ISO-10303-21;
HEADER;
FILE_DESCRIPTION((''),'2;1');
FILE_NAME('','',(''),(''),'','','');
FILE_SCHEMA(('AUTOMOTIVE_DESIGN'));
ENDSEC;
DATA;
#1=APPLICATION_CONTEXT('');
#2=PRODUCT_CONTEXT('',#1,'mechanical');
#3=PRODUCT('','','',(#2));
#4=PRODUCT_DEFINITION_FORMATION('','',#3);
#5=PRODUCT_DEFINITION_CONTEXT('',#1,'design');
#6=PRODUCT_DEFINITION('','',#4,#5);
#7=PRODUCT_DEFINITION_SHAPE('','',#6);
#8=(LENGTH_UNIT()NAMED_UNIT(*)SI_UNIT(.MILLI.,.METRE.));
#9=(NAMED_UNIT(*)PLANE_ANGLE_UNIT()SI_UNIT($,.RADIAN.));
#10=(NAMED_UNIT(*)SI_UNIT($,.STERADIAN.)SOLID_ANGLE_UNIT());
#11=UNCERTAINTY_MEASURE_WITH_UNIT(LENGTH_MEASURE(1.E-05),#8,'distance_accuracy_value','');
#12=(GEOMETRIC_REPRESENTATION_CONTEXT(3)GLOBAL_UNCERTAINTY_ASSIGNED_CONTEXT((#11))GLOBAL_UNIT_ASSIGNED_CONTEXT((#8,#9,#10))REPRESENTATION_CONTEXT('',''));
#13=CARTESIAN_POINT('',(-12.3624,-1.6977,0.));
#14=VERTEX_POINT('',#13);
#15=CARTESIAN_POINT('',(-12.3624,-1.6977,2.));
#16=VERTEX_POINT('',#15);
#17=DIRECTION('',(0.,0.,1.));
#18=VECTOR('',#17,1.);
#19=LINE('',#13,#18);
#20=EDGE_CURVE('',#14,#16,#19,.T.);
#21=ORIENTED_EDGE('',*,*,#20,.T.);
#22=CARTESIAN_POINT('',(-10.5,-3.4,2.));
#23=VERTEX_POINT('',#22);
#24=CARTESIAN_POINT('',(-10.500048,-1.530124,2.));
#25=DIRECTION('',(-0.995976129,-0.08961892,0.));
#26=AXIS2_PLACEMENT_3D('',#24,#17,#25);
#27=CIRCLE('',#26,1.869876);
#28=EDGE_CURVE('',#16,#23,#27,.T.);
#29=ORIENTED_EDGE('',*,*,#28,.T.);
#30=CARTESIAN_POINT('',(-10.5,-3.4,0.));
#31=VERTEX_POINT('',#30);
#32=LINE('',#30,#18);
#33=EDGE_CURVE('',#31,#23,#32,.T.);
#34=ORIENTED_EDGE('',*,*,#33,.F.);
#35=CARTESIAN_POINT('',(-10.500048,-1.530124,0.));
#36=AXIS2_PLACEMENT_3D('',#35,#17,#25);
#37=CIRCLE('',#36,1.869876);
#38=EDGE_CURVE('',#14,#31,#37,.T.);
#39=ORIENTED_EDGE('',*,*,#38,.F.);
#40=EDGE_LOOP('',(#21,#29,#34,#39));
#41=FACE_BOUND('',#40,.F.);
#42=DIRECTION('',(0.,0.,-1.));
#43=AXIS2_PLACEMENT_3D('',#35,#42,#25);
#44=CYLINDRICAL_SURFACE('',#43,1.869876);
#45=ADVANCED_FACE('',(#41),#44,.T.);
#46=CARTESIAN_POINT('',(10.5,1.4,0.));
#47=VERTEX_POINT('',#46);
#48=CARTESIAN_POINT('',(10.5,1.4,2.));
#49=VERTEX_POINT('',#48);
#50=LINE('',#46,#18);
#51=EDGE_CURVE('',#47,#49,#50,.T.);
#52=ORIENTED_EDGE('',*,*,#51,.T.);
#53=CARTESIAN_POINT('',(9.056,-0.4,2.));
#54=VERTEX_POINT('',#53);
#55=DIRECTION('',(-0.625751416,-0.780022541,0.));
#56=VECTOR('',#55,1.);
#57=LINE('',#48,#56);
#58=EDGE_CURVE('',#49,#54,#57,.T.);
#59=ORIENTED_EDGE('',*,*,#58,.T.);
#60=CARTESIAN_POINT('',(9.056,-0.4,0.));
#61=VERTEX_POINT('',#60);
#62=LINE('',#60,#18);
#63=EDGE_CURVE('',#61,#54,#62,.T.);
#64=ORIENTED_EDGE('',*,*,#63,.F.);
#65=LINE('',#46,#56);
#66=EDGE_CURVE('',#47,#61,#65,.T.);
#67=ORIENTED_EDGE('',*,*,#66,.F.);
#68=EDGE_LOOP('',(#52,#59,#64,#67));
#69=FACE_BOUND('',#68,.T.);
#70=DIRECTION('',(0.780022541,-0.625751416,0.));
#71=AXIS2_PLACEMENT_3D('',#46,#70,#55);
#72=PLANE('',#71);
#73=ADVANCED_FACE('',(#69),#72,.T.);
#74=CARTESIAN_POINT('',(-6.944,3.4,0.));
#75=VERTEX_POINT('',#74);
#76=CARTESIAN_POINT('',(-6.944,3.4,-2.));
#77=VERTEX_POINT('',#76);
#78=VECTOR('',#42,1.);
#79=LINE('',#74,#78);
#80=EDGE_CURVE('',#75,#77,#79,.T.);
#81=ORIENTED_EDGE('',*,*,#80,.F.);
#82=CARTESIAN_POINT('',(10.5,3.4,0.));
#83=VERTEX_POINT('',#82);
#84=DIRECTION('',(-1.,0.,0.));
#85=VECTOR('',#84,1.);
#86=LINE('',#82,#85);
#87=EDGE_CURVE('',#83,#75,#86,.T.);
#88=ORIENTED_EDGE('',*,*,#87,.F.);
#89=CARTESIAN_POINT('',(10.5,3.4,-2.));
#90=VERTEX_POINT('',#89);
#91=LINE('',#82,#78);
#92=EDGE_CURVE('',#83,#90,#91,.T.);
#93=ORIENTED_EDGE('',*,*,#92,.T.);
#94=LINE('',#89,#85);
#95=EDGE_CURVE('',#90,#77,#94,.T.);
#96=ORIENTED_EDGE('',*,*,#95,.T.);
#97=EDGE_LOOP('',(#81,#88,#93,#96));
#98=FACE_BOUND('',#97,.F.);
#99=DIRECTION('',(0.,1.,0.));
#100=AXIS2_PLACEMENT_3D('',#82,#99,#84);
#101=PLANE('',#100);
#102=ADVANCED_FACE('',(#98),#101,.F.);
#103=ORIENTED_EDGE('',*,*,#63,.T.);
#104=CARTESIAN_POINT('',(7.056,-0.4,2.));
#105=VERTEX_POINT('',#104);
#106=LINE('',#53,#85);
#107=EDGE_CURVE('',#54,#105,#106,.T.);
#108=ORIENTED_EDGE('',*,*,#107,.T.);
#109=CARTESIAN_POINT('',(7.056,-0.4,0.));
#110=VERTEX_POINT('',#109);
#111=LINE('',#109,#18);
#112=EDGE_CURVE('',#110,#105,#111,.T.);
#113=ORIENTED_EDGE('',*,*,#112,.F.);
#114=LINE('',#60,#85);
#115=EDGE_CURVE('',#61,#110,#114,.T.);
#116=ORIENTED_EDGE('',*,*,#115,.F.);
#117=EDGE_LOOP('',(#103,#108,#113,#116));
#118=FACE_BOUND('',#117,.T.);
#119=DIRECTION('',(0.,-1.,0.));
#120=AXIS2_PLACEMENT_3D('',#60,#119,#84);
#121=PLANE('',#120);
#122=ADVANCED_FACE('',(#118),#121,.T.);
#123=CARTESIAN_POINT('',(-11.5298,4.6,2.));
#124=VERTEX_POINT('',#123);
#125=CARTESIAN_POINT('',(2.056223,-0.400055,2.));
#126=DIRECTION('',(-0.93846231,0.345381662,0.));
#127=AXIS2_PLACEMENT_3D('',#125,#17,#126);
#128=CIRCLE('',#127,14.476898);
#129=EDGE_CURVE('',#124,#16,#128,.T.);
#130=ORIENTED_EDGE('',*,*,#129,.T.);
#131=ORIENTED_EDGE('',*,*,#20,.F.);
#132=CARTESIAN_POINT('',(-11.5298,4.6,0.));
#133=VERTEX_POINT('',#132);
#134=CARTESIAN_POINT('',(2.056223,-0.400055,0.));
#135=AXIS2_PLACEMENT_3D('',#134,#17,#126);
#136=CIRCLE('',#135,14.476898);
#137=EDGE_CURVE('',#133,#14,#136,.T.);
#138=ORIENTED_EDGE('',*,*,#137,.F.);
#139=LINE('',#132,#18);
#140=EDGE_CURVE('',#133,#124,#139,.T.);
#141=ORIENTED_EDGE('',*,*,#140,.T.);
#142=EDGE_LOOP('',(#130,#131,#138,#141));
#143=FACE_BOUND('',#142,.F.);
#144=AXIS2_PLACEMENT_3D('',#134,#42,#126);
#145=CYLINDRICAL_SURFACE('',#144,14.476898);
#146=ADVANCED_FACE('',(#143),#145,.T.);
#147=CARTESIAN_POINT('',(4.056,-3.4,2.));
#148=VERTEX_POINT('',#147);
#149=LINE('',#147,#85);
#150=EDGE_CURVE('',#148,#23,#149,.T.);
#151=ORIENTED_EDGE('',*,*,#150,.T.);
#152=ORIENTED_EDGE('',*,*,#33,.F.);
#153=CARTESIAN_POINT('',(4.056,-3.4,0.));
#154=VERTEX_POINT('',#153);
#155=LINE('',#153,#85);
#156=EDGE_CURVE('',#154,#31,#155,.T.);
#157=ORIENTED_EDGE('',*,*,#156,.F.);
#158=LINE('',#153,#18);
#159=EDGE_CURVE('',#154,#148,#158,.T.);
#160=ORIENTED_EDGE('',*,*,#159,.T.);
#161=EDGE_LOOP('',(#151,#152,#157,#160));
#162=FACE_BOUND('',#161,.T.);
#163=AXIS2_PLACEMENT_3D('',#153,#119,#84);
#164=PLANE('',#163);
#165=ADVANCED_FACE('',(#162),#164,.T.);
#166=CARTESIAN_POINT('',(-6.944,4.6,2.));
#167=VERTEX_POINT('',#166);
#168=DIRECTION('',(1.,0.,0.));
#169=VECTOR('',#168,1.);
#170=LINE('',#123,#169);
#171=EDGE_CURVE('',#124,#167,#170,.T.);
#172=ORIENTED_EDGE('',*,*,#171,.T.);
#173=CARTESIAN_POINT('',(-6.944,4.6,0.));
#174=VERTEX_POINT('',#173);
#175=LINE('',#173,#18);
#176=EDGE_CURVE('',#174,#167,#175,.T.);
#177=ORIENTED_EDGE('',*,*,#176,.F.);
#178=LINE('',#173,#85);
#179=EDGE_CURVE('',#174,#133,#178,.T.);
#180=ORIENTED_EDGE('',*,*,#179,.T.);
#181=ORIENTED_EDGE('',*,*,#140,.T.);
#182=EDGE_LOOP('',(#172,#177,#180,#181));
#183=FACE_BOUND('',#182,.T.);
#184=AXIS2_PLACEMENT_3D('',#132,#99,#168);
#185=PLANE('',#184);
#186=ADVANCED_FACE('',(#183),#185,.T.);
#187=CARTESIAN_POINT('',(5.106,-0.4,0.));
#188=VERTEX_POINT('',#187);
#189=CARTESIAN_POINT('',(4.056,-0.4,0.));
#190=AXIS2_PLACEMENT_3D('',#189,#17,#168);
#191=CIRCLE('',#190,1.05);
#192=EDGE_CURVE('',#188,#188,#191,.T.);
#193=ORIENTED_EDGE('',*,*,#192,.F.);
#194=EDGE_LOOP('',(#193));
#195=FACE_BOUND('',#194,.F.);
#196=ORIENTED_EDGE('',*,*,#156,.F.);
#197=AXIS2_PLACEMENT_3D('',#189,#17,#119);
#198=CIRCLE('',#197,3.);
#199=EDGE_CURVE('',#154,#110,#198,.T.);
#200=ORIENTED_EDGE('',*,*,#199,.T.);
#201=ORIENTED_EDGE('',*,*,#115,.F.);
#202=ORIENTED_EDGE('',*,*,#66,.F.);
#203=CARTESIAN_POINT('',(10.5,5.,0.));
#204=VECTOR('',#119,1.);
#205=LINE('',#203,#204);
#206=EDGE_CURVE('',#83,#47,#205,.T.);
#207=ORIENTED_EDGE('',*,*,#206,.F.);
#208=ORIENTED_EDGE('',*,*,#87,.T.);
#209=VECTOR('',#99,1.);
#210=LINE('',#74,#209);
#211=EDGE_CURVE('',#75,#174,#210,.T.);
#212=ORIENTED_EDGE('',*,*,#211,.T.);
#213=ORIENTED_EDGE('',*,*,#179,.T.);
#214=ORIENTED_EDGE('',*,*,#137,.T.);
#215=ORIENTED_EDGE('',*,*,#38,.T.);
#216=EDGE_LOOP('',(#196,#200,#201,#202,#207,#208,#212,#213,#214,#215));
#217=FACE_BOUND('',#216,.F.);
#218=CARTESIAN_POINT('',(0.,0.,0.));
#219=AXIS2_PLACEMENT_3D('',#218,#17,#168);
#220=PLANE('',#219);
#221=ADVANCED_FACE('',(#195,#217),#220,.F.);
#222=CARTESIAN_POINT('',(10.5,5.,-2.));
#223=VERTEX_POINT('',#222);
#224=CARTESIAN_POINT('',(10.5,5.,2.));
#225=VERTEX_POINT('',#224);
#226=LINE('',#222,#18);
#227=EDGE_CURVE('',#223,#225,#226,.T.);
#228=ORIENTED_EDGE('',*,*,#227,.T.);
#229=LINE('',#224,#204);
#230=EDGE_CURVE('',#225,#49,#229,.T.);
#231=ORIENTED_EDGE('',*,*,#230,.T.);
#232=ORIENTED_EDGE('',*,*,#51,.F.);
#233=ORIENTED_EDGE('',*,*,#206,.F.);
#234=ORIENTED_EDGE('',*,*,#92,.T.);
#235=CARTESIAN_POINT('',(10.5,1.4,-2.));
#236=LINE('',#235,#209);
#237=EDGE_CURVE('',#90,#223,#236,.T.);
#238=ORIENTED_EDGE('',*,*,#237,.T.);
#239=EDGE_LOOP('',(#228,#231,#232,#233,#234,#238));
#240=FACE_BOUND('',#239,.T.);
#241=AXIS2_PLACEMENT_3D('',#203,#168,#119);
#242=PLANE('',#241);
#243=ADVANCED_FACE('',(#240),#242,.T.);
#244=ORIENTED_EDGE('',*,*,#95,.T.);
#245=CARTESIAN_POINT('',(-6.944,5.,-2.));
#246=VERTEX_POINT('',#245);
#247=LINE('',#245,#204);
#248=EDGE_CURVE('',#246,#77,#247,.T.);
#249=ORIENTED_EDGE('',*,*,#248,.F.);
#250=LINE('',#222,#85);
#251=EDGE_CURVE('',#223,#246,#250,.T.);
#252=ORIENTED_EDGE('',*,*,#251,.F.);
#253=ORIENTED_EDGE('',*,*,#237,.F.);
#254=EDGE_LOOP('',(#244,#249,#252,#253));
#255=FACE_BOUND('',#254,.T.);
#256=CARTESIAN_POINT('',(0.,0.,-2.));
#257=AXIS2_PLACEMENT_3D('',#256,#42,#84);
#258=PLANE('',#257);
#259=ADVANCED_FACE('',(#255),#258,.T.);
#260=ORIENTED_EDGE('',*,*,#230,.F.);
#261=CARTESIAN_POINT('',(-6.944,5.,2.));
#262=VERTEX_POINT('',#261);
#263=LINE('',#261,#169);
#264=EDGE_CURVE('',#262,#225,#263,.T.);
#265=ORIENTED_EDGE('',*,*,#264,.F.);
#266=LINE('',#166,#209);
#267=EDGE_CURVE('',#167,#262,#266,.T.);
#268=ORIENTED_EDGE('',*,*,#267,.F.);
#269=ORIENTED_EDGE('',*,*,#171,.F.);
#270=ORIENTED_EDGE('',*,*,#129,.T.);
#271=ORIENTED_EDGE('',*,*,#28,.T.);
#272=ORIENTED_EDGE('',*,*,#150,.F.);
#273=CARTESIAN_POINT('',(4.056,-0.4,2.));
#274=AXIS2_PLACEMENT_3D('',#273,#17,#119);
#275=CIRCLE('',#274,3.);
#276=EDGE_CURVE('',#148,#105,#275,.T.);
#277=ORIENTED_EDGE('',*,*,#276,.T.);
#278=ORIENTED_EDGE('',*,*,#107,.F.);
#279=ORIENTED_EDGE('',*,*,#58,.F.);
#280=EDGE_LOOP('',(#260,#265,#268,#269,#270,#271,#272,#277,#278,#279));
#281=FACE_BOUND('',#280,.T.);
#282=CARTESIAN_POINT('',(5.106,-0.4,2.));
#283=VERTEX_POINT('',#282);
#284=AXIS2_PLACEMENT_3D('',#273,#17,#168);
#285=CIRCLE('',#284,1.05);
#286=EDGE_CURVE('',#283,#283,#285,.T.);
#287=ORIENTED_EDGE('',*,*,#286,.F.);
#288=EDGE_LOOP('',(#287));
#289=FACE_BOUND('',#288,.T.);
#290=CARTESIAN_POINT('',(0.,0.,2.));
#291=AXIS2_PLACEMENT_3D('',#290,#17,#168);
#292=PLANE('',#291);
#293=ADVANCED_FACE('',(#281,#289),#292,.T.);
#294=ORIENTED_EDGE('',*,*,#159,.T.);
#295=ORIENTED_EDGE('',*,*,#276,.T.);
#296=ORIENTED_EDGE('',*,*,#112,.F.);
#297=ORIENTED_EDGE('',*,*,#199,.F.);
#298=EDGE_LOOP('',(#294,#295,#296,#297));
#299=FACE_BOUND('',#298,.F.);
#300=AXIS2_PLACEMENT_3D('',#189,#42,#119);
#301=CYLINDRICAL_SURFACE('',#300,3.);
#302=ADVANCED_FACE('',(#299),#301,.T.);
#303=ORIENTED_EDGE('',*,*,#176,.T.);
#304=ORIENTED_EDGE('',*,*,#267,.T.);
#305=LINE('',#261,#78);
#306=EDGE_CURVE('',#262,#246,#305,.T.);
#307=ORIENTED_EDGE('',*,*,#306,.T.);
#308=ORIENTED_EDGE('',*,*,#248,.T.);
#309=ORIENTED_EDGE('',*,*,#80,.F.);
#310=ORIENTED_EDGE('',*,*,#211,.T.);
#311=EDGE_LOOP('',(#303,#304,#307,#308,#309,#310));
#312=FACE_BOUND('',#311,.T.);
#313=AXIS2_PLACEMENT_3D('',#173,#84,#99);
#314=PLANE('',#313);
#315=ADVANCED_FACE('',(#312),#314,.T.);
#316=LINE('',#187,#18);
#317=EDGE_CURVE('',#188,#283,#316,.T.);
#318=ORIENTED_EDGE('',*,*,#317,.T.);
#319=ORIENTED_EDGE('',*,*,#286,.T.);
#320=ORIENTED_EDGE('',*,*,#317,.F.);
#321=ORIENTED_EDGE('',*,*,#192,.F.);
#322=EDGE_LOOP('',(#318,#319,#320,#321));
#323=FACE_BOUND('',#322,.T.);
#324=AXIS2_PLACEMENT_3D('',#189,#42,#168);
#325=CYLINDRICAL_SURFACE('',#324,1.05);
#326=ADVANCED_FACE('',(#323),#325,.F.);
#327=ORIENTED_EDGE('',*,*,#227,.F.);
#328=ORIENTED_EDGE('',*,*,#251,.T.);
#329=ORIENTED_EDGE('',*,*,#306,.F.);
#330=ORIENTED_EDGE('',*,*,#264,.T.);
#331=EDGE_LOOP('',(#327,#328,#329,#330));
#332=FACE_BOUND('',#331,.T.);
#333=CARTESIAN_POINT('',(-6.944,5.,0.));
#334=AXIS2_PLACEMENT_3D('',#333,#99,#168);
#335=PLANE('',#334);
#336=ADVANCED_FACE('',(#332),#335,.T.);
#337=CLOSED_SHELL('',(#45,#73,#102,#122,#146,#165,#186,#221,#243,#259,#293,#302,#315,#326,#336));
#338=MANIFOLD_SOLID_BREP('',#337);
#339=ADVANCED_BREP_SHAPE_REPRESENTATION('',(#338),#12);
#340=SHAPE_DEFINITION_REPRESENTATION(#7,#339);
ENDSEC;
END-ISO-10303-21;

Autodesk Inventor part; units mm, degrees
ref_plane "YZ Plane" through (0, 0, 0) normal (1, 0, 0) x (0, 1, 0)
ref_plane "XZ Plane" through (0, 0, 0) normal (0, 1, 0) x (-1, 0, 0)
ref_plane "XY Plane" through (0, 0, 0) normal (0, 0, 1) x (1, 0, 0)
sketch "Sketch1" plane through (0, 0, 0) normal (0, 0, 1) x (1, 0, 0)
  circle A0 centre (4.056, -0.4) radius 1.05 projected
  line L0 (-10.5, -3.4) -> (-10.5, 3.4) projected
  line L1 (4.056, -3.4) -> (-10.5, -3.4) projected
  arc A1 (4.056, -3.4) -> (7.056, -0.4) centre (4.056, -0.4) ccw projected
  line L2 (9.056, -0.4) -> (7.056, -0.4) projected
  line L3 (10.5, 1.4) -> (9.056, -0.4) projected
  line L4 (10.5, 3.4) -> (10.5, 1.4) projected
  line L5 (-10.5, 3.4) -> (10.5, 3.4) projected
  point P0 (0, 0)
sketch "Sketch2" plane through (0, 0, 0) normal (0, 0, 1) x (1, 0, 0)
  arc A0 (-11.5298, 4.6) -> (-12.3624, -1.6977) centre (2.056, -0.4) ccw
  line L0 (4.056, -0.4) -> (2.056, -0.4) construction
  circle A1 centre (-10.944, 6.6) radius 2 construction
  line L1 (-11.5298, 4.6) -> (-8.944, 4.6)
  line L2 (-11.5298, 4.6) -> (4.056, -0.4) construction
  line L3 (4.056, -0.4) -> (-12.3624, -1.6977) construction
  circle A2 centre (-12.944, 6.0142) radius 2 construction
  line L4 (-12.944, 6.0142) -> (-11.5298, 4.6) construction
  line L5 (-12.944, 6.0142) -> (-10.944, 6.0142) construction
  line L6 (4.056, -3.4) -> (-10.5, -3.4) construction
  arc A3 (-12.3624, -1.6977) -> (-10.5, -3.4) centre (-10.5, -1.5301) ccw
  point P0 (0, 0)
  point P1 (-8.944, 6.6)
  dimension "d1" = 4
  dimension "d0" = 2
  dimension "d2" = 7
  dimension "d3" = 15
  dimension "d11" = 45
  dimension "d12" = 2
sketch "Sketch3" plane through (0, 0, 0) normal (0, 0, 1) x (1, 0, 0)
  arc A0 (-11.5298, 4.6) -> (-12.3624, -1.6977) centre (2.056, -0.4) ccw projected
  line L0 (-11.5298, 4.6) -> (-8.944, 4.6) projected
  line L1 (10.5, 5) -> (10.5, 1.4)
  line L2 (10.5, 3.4) -> (10.5, 1.4) construction
  circle A1 centre (4.056, -0.4) radius 1.05 projected
  line L3 (4.056, -3.4) -> (-10.5, -3.4) projected
  arc A2 (4.056, -3.4) -> (7.056, -0.4) centre (4.056, -0.4) ccw projected
  line L4 (9.056, -0.4) -> (7.056, -0.4) projected
  line L5 (10.5, 1.4) -> (9.056, -0.4) projected
  arc A3 (-12.3624, -1.6977) -> (-10.5, -3.4) centre (-10.5, -1.5301) ccw projected
  line L6 (-8.944, 4.6) -> (-6.944, 4.6)
  line L7 (-6.944, 4.6) -> (-6.944, 5)
  line L8 (-6.944, 5) -> (10.5, 5)
  line L9 (-10.5, 3.4) -> (10.5, 3.4) construction
  point P0 (0, 0)
  dimension "d18" = 1.6
  dimension "d19" = 2
extrude "Extrusion1" add sketch "Sketch3" along normal blind 2
sketch "Sketch4" plane through (0, 0, 0) normal (0, 0, -1) x (-1, 0, 0)
  arc A0 (12.3624, -1.6977) -> (11.5298, 4.6) centre (-2.056, -0.4) ccw projected
  line L0 (6.944, 4.6) -> (11.5298, 4.6) projected
  line L1 (-10.5, 1.4) -> (-10.5, 5) projected
  line L2 (-9.056, -0.4) -> (-10.5, 1.4) projected
  line L3 (-7.056, -0.4) -> (-9.056, -0.4) projected
  arc A1 (-7.056, -0.4) -> (-4.056, -3.4) centre (-4.056, -0.4) ccw projected
  line L4 (10.5, -3.4) -> (-4.056, -3.4) projected
  arc A2 (10.5, -3.4) -> (12.3624, -1.6977) centre (10.5, -1.5301) ccw projected
  circle A3 centre (-4.056, -0.4) radius 1.05 projected
  line L5 (6.944, 5) -> (6.944, 4.6) projected
  line L6 (-10.5, 5) -> (6.944, 5) projected
  line L7 (-10.5, 5) -> (6.944, 5) projected
  line L8 (-10.5, 1.4) -> (-10.5, 5) projected
  line L9 (6.944, 5) -> (-10.5, 5)
  line L10 (-10.5, 5) -> (-10.5, 3.4)
  line L11 (-10.5, 3.4) -> (6.944, 3.4)
  line L12 (6.944, 3.4) -> (6.944, 5)
  line L13 (-10.5, 1.4) -> (-10.5, 5) projected
extrude "Extrusion2" add sketch "Sketch4" along normal blind 2 contours L12 L11 L1 L6 L5
sketch "Sketch5" plane through (0, 0, 0) normal (0, 0, 1) x (1, 0, 0)
  circle A0 centre (-10.944, 6.6) radius 2 construction
  point P0 (0, 0)
equation "\"d12\" = d0"
properties part number "Capping_RotationGuide"
